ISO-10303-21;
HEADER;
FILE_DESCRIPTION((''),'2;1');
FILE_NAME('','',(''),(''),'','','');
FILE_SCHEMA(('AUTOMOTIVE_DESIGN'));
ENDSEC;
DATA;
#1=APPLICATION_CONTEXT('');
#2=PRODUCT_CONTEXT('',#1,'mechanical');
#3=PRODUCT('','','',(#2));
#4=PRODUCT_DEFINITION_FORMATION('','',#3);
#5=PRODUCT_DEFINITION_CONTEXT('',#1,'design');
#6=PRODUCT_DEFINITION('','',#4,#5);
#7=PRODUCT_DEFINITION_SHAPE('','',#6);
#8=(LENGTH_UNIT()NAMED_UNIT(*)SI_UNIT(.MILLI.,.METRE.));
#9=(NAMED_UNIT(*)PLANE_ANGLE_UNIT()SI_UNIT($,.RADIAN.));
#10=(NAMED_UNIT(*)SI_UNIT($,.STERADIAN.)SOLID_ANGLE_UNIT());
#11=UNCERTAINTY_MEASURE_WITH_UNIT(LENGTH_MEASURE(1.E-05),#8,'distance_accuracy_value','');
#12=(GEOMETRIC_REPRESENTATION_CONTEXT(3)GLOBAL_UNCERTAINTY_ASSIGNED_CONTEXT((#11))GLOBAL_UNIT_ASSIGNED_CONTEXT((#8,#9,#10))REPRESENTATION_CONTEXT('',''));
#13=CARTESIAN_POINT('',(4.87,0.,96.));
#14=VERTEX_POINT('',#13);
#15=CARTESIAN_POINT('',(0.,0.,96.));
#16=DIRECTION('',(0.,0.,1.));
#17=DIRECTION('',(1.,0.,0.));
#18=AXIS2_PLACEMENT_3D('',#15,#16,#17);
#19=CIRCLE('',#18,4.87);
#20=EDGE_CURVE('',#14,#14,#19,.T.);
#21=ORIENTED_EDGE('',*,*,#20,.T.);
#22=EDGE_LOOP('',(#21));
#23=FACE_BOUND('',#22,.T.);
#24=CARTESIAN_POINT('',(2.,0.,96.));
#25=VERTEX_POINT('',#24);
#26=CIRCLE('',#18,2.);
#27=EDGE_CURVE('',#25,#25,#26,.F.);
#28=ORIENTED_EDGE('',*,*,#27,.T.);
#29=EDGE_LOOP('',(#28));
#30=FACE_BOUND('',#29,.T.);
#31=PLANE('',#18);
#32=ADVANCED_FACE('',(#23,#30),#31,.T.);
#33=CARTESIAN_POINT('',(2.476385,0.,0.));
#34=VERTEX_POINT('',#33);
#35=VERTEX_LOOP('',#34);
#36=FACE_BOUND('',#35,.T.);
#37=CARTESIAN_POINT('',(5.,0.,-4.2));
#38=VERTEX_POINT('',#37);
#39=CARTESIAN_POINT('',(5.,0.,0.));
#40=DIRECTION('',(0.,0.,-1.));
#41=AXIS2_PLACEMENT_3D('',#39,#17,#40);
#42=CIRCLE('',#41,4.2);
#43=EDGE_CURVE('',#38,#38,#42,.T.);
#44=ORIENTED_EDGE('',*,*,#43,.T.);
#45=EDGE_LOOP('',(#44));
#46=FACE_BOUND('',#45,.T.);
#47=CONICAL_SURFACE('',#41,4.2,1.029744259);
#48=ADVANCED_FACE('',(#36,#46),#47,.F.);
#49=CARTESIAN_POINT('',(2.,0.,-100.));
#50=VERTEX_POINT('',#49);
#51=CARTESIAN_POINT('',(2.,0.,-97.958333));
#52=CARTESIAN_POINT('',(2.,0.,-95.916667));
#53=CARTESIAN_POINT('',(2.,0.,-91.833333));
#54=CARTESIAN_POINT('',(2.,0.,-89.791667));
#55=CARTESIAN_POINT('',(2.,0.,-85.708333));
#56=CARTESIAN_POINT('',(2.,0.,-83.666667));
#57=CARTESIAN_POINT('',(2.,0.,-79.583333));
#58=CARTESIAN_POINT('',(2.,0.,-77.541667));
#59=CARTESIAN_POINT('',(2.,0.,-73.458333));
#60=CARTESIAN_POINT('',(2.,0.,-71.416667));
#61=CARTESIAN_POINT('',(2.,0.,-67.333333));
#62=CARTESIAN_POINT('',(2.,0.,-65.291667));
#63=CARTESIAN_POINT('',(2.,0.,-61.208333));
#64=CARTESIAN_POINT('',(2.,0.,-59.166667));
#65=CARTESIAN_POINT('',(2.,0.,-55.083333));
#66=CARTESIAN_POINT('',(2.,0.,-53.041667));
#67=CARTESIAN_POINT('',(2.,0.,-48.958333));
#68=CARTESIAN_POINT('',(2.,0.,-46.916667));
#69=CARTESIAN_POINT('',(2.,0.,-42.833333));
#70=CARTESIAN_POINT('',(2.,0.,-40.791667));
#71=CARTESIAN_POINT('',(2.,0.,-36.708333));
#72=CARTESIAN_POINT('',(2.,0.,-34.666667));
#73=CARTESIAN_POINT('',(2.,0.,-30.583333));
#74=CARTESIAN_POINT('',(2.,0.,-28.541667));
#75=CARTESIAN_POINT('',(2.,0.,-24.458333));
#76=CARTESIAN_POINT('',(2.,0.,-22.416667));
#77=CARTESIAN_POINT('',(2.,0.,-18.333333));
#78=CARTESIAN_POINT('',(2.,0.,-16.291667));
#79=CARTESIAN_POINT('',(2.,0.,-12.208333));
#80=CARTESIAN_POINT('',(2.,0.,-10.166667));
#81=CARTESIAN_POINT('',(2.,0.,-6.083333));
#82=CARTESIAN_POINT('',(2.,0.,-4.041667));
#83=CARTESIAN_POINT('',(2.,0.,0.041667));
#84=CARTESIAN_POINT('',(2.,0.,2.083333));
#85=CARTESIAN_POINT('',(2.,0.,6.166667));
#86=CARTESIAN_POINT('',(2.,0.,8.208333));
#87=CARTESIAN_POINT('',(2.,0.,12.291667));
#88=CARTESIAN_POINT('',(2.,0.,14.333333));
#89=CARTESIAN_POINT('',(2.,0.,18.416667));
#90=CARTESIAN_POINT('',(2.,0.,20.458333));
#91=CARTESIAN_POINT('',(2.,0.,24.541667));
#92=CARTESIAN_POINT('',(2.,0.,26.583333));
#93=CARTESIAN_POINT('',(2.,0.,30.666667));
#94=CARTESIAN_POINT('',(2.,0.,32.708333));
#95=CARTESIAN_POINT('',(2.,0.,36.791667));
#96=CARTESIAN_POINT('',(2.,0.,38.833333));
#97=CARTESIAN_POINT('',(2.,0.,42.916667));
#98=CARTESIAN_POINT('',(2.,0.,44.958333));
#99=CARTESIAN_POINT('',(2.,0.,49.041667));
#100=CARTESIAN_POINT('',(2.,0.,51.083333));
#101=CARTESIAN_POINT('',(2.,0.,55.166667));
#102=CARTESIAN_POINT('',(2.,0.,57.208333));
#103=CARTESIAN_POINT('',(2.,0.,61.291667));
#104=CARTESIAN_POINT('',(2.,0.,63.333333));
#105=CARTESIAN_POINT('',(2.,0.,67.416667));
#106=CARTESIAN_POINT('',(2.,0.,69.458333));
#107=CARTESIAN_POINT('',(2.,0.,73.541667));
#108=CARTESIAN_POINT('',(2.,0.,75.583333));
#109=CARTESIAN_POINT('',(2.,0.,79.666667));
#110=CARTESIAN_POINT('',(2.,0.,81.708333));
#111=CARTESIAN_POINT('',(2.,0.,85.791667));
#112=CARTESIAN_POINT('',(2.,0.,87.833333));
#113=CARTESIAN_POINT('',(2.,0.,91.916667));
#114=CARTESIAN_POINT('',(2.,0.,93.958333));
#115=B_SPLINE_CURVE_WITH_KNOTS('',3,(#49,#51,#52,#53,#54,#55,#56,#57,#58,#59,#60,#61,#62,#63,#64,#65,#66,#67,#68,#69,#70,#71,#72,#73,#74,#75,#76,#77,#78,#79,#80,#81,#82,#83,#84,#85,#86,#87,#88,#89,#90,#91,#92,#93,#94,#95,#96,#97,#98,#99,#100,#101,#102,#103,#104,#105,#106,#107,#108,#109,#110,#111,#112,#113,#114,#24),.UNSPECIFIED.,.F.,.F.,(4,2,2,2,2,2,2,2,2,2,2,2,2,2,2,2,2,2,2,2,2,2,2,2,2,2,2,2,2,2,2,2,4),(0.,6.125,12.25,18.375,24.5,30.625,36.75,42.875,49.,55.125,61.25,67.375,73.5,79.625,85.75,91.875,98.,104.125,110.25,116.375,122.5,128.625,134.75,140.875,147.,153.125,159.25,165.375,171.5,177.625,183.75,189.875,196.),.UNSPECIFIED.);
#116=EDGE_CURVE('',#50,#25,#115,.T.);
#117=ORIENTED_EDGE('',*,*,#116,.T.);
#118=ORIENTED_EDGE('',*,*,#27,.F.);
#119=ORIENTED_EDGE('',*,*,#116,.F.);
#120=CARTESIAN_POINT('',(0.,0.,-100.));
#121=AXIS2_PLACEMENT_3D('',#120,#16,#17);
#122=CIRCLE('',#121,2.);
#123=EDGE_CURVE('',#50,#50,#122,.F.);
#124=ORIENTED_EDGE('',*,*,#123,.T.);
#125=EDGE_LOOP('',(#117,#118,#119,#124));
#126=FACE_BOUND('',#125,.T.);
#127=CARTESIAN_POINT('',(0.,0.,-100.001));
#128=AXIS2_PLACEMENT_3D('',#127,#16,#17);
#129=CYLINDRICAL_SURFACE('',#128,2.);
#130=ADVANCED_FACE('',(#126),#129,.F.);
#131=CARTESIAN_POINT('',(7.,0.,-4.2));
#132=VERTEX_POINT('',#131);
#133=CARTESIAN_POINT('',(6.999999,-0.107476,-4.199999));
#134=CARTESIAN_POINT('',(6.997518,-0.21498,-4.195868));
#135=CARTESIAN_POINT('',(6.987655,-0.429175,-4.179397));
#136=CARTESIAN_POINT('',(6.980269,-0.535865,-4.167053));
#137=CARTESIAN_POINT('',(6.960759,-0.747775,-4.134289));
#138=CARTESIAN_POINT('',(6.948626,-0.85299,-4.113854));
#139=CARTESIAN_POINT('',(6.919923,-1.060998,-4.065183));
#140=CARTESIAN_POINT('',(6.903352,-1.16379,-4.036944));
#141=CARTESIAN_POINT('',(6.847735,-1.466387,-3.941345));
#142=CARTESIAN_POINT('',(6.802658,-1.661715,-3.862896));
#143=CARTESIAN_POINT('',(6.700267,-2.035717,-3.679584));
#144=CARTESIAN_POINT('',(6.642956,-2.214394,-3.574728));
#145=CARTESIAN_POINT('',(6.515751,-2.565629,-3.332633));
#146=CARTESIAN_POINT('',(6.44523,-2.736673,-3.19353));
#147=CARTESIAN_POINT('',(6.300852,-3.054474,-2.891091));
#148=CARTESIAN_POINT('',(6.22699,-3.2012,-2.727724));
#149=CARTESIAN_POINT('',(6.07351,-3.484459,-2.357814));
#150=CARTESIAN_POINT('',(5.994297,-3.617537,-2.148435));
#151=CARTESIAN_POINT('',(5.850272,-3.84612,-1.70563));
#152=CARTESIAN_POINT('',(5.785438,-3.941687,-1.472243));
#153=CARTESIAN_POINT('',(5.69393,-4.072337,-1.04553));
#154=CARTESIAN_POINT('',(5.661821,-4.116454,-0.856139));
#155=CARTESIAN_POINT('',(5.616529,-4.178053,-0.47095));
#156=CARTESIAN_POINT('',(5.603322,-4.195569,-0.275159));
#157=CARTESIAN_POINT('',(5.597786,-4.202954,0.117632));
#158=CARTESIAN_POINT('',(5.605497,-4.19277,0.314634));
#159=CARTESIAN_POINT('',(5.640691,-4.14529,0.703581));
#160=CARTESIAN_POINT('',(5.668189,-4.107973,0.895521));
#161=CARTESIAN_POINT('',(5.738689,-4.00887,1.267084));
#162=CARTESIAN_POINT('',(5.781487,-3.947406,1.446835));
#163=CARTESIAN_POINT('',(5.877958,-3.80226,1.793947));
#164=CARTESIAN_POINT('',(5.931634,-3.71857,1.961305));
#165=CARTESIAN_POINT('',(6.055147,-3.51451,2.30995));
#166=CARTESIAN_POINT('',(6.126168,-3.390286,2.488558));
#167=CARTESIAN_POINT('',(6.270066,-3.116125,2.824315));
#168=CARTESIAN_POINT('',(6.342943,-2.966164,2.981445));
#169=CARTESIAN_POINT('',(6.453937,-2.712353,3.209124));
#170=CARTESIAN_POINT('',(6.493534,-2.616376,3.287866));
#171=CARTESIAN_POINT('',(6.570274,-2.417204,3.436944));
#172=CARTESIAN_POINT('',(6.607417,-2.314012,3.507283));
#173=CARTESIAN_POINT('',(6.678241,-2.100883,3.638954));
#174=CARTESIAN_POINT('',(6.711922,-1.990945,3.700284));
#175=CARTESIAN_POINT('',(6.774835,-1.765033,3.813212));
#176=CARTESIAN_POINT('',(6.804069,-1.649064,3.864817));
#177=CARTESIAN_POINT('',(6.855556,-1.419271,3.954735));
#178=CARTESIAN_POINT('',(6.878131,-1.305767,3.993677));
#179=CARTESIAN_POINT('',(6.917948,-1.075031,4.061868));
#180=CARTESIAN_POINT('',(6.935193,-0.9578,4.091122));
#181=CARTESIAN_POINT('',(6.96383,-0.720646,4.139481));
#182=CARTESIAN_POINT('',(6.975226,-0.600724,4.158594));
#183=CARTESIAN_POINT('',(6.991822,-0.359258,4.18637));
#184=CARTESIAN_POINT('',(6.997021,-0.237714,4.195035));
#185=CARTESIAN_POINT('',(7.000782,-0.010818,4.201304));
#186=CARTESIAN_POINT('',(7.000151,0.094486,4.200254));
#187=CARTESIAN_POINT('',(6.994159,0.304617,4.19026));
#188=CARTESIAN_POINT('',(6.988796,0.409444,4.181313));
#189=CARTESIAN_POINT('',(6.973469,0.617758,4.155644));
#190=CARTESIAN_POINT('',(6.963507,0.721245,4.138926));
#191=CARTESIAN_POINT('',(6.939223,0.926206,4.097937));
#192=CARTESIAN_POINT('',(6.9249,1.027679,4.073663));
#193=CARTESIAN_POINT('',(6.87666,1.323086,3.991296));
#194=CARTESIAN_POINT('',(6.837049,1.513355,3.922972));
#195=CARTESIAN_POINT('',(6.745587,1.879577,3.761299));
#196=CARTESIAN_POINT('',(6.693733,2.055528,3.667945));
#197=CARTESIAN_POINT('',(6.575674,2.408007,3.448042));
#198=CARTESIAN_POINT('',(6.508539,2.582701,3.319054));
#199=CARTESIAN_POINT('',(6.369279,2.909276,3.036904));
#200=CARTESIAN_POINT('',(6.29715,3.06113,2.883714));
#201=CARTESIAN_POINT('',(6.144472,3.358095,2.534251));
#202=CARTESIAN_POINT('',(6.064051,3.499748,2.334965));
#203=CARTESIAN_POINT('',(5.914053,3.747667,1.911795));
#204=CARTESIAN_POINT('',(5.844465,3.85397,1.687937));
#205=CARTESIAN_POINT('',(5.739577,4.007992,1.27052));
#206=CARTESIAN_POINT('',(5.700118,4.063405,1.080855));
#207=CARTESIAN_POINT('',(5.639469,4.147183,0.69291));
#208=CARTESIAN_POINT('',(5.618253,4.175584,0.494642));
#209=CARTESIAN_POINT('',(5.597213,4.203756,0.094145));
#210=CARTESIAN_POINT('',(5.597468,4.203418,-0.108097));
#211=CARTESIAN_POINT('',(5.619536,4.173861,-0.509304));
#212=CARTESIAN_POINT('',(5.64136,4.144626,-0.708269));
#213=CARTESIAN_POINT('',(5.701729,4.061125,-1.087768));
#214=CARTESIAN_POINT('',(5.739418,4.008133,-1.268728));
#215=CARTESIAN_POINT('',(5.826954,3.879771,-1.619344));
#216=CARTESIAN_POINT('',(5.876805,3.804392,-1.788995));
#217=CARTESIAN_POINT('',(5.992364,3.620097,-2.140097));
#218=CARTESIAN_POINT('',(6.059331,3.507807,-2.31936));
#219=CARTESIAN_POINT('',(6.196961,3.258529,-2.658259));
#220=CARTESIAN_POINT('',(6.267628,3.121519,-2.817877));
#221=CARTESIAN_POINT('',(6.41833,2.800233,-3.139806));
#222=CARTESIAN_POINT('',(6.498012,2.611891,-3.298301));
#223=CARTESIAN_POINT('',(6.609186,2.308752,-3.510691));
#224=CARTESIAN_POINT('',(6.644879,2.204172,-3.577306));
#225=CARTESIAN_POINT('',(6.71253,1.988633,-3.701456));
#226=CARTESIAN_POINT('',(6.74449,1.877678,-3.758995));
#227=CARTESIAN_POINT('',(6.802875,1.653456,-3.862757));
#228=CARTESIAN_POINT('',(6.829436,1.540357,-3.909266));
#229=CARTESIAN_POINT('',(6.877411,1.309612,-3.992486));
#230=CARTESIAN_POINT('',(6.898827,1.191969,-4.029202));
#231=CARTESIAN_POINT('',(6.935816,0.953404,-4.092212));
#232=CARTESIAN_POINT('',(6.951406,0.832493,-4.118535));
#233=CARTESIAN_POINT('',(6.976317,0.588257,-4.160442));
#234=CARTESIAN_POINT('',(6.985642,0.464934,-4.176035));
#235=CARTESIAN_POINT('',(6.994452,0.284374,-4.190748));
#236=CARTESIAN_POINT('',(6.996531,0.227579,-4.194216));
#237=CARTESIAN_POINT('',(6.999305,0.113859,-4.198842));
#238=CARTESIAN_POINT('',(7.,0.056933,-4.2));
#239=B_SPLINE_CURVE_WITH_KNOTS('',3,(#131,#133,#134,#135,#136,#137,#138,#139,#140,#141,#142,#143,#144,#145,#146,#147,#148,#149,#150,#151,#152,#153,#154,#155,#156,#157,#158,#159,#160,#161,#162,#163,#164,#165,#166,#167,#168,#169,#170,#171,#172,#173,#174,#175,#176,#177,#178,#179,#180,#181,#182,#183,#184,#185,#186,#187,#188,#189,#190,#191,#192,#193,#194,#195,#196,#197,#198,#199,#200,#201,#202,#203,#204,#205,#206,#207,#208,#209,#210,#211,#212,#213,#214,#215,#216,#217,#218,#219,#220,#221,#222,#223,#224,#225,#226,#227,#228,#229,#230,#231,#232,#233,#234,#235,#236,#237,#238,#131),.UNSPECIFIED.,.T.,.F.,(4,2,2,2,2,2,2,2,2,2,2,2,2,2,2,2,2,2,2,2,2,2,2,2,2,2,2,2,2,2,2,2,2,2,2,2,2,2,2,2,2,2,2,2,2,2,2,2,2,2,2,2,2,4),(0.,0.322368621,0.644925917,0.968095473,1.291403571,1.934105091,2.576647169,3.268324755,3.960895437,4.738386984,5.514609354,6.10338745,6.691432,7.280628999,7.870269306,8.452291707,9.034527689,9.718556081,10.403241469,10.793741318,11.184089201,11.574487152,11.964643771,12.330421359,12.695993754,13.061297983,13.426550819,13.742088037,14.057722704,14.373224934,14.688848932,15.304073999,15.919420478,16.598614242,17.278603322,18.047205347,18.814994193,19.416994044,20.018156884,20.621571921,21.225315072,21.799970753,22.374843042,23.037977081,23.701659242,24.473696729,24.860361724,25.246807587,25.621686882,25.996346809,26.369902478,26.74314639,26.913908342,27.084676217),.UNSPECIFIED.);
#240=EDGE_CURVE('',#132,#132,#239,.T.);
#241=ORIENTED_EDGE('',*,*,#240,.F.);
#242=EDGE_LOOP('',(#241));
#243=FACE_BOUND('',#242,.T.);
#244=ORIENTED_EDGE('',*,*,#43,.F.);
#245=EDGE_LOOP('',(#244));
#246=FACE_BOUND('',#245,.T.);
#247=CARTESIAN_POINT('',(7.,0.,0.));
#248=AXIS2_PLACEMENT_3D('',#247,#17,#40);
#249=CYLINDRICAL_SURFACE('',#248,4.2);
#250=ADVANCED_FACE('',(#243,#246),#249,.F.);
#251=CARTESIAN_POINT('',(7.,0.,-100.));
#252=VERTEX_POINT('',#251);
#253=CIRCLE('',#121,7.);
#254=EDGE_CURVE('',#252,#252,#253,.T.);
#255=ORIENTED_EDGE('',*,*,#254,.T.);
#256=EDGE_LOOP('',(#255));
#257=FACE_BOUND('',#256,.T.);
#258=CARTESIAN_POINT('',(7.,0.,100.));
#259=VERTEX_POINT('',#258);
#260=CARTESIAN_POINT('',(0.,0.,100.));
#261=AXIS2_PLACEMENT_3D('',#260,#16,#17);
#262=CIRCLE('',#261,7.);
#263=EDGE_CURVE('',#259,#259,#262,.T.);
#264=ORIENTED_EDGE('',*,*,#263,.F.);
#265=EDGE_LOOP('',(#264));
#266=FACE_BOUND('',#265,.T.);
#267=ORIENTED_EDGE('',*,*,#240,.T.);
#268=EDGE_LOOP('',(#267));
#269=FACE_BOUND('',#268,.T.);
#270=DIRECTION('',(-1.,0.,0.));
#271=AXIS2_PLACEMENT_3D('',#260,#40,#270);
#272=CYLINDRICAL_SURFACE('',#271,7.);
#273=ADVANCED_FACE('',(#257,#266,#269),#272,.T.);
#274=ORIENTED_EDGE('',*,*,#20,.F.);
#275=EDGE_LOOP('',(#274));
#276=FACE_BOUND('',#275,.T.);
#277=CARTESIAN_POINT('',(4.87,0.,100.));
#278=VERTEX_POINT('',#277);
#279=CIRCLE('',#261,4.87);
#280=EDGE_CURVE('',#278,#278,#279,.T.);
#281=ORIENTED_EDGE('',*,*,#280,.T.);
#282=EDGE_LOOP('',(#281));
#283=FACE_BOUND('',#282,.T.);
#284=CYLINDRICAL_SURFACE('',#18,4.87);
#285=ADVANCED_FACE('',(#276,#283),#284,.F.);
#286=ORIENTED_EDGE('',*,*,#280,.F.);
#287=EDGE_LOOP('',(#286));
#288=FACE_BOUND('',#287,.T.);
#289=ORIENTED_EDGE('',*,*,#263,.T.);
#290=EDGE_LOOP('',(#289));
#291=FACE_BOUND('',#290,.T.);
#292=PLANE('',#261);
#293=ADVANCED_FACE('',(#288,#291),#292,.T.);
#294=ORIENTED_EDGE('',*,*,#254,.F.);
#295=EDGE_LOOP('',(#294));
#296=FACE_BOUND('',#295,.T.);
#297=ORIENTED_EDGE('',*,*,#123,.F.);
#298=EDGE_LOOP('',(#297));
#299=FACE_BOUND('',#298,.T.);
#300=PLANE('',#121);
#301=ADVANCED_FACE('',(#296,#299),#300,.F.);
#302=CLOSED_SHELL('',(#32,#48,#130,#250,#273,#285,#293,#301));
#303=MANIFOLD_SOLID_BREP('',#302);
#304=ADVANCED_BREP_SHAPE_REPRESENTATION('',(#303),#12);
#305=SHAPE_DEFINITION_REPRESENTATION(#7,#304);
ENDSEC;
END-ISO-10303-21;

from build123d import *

# Parameters (mm, degrees)
SCHIZZO1_R                   = 7
ESTRUSIONE_ESTRUSIONE1_DEPTH = 100
TAGLIO_ESTRUSIONE1_REACH     = 202.245
SCHIZZO2_R                   = 2
SCHIZZO5_R                   = 4.87
TAGLIO_ESTRUSIONE2_DEPTH     = 4
FORO_PER_VITE_M8_1_D         = 8.4
FORO_PER_VITE_M8_1_DEPTH     = 2
FORO_PER_VITE_M8_1_TIP       = 2.5236146


with BuildPart() as part:
    # Schizzo1 → Estrusione-Estrusione1 (new, symmetric)
    with BuildSketch(Plane.XY):
        Circle(SCHIZZO1_R)
    extrude(amount=ESTRUSIONE_ESTRUSIONE1_DEPTH, both=True)

    # Schizzo2 → Taglio-Estrusione1 (cut, up to next)
    with BuildSketch(Plane.XY.offset(100), mode=Mode.PRIVATE) as taglio_estrusione1_sk1:
        Circle(SCHIZZO2_R)
    taglio_estrusione1_tool1 = extrude(taglio_estrusione1_sk1.sketch, amount=-TAGLIO_ESTRUSIONE1_REACH, mode=Mode.PRIVATE) & part.part
    add(taglio_estrusione1_tool1.solids().sort_by_distance((0, 0, 100))[0], mode=Mode.SUBTRACT)

    # Schizzo5 → Taglio-Estrusione2 (cut)
    with BuildSketch(Plane.XY.offset(100)):
        Circle(SCHIZZO5_R)
    extrude(amount=-TAGLIO_ESTRUSIONE2_DEPTH, mode=Mode.SUBTRACT)

    # Foro per Vite M8-1
    with Locations(Plane(origin=(7, 0, 0), x_dir=(0, 0, -1), z_dir=(1, 0, 0))):
        with Locations((0, 0)):
            Hole(FORO_PER_VITE_M8_1_D / 2, depth=FORO_PER_VITE_M8_1_DEPTH)
            with Locations((0, 0, -(FORO_PER_VITE_M8_1_DEPTH + FORO_PER_VITE_M8_1_TIP / 2))):  # 118° drill point
                Cone(0, FORO_PER_VITE_M8_1_D / 2, FORO_PER_VITE_M8_1_TIP, mode=Mode.SUBTRACT)


solid = part.part
